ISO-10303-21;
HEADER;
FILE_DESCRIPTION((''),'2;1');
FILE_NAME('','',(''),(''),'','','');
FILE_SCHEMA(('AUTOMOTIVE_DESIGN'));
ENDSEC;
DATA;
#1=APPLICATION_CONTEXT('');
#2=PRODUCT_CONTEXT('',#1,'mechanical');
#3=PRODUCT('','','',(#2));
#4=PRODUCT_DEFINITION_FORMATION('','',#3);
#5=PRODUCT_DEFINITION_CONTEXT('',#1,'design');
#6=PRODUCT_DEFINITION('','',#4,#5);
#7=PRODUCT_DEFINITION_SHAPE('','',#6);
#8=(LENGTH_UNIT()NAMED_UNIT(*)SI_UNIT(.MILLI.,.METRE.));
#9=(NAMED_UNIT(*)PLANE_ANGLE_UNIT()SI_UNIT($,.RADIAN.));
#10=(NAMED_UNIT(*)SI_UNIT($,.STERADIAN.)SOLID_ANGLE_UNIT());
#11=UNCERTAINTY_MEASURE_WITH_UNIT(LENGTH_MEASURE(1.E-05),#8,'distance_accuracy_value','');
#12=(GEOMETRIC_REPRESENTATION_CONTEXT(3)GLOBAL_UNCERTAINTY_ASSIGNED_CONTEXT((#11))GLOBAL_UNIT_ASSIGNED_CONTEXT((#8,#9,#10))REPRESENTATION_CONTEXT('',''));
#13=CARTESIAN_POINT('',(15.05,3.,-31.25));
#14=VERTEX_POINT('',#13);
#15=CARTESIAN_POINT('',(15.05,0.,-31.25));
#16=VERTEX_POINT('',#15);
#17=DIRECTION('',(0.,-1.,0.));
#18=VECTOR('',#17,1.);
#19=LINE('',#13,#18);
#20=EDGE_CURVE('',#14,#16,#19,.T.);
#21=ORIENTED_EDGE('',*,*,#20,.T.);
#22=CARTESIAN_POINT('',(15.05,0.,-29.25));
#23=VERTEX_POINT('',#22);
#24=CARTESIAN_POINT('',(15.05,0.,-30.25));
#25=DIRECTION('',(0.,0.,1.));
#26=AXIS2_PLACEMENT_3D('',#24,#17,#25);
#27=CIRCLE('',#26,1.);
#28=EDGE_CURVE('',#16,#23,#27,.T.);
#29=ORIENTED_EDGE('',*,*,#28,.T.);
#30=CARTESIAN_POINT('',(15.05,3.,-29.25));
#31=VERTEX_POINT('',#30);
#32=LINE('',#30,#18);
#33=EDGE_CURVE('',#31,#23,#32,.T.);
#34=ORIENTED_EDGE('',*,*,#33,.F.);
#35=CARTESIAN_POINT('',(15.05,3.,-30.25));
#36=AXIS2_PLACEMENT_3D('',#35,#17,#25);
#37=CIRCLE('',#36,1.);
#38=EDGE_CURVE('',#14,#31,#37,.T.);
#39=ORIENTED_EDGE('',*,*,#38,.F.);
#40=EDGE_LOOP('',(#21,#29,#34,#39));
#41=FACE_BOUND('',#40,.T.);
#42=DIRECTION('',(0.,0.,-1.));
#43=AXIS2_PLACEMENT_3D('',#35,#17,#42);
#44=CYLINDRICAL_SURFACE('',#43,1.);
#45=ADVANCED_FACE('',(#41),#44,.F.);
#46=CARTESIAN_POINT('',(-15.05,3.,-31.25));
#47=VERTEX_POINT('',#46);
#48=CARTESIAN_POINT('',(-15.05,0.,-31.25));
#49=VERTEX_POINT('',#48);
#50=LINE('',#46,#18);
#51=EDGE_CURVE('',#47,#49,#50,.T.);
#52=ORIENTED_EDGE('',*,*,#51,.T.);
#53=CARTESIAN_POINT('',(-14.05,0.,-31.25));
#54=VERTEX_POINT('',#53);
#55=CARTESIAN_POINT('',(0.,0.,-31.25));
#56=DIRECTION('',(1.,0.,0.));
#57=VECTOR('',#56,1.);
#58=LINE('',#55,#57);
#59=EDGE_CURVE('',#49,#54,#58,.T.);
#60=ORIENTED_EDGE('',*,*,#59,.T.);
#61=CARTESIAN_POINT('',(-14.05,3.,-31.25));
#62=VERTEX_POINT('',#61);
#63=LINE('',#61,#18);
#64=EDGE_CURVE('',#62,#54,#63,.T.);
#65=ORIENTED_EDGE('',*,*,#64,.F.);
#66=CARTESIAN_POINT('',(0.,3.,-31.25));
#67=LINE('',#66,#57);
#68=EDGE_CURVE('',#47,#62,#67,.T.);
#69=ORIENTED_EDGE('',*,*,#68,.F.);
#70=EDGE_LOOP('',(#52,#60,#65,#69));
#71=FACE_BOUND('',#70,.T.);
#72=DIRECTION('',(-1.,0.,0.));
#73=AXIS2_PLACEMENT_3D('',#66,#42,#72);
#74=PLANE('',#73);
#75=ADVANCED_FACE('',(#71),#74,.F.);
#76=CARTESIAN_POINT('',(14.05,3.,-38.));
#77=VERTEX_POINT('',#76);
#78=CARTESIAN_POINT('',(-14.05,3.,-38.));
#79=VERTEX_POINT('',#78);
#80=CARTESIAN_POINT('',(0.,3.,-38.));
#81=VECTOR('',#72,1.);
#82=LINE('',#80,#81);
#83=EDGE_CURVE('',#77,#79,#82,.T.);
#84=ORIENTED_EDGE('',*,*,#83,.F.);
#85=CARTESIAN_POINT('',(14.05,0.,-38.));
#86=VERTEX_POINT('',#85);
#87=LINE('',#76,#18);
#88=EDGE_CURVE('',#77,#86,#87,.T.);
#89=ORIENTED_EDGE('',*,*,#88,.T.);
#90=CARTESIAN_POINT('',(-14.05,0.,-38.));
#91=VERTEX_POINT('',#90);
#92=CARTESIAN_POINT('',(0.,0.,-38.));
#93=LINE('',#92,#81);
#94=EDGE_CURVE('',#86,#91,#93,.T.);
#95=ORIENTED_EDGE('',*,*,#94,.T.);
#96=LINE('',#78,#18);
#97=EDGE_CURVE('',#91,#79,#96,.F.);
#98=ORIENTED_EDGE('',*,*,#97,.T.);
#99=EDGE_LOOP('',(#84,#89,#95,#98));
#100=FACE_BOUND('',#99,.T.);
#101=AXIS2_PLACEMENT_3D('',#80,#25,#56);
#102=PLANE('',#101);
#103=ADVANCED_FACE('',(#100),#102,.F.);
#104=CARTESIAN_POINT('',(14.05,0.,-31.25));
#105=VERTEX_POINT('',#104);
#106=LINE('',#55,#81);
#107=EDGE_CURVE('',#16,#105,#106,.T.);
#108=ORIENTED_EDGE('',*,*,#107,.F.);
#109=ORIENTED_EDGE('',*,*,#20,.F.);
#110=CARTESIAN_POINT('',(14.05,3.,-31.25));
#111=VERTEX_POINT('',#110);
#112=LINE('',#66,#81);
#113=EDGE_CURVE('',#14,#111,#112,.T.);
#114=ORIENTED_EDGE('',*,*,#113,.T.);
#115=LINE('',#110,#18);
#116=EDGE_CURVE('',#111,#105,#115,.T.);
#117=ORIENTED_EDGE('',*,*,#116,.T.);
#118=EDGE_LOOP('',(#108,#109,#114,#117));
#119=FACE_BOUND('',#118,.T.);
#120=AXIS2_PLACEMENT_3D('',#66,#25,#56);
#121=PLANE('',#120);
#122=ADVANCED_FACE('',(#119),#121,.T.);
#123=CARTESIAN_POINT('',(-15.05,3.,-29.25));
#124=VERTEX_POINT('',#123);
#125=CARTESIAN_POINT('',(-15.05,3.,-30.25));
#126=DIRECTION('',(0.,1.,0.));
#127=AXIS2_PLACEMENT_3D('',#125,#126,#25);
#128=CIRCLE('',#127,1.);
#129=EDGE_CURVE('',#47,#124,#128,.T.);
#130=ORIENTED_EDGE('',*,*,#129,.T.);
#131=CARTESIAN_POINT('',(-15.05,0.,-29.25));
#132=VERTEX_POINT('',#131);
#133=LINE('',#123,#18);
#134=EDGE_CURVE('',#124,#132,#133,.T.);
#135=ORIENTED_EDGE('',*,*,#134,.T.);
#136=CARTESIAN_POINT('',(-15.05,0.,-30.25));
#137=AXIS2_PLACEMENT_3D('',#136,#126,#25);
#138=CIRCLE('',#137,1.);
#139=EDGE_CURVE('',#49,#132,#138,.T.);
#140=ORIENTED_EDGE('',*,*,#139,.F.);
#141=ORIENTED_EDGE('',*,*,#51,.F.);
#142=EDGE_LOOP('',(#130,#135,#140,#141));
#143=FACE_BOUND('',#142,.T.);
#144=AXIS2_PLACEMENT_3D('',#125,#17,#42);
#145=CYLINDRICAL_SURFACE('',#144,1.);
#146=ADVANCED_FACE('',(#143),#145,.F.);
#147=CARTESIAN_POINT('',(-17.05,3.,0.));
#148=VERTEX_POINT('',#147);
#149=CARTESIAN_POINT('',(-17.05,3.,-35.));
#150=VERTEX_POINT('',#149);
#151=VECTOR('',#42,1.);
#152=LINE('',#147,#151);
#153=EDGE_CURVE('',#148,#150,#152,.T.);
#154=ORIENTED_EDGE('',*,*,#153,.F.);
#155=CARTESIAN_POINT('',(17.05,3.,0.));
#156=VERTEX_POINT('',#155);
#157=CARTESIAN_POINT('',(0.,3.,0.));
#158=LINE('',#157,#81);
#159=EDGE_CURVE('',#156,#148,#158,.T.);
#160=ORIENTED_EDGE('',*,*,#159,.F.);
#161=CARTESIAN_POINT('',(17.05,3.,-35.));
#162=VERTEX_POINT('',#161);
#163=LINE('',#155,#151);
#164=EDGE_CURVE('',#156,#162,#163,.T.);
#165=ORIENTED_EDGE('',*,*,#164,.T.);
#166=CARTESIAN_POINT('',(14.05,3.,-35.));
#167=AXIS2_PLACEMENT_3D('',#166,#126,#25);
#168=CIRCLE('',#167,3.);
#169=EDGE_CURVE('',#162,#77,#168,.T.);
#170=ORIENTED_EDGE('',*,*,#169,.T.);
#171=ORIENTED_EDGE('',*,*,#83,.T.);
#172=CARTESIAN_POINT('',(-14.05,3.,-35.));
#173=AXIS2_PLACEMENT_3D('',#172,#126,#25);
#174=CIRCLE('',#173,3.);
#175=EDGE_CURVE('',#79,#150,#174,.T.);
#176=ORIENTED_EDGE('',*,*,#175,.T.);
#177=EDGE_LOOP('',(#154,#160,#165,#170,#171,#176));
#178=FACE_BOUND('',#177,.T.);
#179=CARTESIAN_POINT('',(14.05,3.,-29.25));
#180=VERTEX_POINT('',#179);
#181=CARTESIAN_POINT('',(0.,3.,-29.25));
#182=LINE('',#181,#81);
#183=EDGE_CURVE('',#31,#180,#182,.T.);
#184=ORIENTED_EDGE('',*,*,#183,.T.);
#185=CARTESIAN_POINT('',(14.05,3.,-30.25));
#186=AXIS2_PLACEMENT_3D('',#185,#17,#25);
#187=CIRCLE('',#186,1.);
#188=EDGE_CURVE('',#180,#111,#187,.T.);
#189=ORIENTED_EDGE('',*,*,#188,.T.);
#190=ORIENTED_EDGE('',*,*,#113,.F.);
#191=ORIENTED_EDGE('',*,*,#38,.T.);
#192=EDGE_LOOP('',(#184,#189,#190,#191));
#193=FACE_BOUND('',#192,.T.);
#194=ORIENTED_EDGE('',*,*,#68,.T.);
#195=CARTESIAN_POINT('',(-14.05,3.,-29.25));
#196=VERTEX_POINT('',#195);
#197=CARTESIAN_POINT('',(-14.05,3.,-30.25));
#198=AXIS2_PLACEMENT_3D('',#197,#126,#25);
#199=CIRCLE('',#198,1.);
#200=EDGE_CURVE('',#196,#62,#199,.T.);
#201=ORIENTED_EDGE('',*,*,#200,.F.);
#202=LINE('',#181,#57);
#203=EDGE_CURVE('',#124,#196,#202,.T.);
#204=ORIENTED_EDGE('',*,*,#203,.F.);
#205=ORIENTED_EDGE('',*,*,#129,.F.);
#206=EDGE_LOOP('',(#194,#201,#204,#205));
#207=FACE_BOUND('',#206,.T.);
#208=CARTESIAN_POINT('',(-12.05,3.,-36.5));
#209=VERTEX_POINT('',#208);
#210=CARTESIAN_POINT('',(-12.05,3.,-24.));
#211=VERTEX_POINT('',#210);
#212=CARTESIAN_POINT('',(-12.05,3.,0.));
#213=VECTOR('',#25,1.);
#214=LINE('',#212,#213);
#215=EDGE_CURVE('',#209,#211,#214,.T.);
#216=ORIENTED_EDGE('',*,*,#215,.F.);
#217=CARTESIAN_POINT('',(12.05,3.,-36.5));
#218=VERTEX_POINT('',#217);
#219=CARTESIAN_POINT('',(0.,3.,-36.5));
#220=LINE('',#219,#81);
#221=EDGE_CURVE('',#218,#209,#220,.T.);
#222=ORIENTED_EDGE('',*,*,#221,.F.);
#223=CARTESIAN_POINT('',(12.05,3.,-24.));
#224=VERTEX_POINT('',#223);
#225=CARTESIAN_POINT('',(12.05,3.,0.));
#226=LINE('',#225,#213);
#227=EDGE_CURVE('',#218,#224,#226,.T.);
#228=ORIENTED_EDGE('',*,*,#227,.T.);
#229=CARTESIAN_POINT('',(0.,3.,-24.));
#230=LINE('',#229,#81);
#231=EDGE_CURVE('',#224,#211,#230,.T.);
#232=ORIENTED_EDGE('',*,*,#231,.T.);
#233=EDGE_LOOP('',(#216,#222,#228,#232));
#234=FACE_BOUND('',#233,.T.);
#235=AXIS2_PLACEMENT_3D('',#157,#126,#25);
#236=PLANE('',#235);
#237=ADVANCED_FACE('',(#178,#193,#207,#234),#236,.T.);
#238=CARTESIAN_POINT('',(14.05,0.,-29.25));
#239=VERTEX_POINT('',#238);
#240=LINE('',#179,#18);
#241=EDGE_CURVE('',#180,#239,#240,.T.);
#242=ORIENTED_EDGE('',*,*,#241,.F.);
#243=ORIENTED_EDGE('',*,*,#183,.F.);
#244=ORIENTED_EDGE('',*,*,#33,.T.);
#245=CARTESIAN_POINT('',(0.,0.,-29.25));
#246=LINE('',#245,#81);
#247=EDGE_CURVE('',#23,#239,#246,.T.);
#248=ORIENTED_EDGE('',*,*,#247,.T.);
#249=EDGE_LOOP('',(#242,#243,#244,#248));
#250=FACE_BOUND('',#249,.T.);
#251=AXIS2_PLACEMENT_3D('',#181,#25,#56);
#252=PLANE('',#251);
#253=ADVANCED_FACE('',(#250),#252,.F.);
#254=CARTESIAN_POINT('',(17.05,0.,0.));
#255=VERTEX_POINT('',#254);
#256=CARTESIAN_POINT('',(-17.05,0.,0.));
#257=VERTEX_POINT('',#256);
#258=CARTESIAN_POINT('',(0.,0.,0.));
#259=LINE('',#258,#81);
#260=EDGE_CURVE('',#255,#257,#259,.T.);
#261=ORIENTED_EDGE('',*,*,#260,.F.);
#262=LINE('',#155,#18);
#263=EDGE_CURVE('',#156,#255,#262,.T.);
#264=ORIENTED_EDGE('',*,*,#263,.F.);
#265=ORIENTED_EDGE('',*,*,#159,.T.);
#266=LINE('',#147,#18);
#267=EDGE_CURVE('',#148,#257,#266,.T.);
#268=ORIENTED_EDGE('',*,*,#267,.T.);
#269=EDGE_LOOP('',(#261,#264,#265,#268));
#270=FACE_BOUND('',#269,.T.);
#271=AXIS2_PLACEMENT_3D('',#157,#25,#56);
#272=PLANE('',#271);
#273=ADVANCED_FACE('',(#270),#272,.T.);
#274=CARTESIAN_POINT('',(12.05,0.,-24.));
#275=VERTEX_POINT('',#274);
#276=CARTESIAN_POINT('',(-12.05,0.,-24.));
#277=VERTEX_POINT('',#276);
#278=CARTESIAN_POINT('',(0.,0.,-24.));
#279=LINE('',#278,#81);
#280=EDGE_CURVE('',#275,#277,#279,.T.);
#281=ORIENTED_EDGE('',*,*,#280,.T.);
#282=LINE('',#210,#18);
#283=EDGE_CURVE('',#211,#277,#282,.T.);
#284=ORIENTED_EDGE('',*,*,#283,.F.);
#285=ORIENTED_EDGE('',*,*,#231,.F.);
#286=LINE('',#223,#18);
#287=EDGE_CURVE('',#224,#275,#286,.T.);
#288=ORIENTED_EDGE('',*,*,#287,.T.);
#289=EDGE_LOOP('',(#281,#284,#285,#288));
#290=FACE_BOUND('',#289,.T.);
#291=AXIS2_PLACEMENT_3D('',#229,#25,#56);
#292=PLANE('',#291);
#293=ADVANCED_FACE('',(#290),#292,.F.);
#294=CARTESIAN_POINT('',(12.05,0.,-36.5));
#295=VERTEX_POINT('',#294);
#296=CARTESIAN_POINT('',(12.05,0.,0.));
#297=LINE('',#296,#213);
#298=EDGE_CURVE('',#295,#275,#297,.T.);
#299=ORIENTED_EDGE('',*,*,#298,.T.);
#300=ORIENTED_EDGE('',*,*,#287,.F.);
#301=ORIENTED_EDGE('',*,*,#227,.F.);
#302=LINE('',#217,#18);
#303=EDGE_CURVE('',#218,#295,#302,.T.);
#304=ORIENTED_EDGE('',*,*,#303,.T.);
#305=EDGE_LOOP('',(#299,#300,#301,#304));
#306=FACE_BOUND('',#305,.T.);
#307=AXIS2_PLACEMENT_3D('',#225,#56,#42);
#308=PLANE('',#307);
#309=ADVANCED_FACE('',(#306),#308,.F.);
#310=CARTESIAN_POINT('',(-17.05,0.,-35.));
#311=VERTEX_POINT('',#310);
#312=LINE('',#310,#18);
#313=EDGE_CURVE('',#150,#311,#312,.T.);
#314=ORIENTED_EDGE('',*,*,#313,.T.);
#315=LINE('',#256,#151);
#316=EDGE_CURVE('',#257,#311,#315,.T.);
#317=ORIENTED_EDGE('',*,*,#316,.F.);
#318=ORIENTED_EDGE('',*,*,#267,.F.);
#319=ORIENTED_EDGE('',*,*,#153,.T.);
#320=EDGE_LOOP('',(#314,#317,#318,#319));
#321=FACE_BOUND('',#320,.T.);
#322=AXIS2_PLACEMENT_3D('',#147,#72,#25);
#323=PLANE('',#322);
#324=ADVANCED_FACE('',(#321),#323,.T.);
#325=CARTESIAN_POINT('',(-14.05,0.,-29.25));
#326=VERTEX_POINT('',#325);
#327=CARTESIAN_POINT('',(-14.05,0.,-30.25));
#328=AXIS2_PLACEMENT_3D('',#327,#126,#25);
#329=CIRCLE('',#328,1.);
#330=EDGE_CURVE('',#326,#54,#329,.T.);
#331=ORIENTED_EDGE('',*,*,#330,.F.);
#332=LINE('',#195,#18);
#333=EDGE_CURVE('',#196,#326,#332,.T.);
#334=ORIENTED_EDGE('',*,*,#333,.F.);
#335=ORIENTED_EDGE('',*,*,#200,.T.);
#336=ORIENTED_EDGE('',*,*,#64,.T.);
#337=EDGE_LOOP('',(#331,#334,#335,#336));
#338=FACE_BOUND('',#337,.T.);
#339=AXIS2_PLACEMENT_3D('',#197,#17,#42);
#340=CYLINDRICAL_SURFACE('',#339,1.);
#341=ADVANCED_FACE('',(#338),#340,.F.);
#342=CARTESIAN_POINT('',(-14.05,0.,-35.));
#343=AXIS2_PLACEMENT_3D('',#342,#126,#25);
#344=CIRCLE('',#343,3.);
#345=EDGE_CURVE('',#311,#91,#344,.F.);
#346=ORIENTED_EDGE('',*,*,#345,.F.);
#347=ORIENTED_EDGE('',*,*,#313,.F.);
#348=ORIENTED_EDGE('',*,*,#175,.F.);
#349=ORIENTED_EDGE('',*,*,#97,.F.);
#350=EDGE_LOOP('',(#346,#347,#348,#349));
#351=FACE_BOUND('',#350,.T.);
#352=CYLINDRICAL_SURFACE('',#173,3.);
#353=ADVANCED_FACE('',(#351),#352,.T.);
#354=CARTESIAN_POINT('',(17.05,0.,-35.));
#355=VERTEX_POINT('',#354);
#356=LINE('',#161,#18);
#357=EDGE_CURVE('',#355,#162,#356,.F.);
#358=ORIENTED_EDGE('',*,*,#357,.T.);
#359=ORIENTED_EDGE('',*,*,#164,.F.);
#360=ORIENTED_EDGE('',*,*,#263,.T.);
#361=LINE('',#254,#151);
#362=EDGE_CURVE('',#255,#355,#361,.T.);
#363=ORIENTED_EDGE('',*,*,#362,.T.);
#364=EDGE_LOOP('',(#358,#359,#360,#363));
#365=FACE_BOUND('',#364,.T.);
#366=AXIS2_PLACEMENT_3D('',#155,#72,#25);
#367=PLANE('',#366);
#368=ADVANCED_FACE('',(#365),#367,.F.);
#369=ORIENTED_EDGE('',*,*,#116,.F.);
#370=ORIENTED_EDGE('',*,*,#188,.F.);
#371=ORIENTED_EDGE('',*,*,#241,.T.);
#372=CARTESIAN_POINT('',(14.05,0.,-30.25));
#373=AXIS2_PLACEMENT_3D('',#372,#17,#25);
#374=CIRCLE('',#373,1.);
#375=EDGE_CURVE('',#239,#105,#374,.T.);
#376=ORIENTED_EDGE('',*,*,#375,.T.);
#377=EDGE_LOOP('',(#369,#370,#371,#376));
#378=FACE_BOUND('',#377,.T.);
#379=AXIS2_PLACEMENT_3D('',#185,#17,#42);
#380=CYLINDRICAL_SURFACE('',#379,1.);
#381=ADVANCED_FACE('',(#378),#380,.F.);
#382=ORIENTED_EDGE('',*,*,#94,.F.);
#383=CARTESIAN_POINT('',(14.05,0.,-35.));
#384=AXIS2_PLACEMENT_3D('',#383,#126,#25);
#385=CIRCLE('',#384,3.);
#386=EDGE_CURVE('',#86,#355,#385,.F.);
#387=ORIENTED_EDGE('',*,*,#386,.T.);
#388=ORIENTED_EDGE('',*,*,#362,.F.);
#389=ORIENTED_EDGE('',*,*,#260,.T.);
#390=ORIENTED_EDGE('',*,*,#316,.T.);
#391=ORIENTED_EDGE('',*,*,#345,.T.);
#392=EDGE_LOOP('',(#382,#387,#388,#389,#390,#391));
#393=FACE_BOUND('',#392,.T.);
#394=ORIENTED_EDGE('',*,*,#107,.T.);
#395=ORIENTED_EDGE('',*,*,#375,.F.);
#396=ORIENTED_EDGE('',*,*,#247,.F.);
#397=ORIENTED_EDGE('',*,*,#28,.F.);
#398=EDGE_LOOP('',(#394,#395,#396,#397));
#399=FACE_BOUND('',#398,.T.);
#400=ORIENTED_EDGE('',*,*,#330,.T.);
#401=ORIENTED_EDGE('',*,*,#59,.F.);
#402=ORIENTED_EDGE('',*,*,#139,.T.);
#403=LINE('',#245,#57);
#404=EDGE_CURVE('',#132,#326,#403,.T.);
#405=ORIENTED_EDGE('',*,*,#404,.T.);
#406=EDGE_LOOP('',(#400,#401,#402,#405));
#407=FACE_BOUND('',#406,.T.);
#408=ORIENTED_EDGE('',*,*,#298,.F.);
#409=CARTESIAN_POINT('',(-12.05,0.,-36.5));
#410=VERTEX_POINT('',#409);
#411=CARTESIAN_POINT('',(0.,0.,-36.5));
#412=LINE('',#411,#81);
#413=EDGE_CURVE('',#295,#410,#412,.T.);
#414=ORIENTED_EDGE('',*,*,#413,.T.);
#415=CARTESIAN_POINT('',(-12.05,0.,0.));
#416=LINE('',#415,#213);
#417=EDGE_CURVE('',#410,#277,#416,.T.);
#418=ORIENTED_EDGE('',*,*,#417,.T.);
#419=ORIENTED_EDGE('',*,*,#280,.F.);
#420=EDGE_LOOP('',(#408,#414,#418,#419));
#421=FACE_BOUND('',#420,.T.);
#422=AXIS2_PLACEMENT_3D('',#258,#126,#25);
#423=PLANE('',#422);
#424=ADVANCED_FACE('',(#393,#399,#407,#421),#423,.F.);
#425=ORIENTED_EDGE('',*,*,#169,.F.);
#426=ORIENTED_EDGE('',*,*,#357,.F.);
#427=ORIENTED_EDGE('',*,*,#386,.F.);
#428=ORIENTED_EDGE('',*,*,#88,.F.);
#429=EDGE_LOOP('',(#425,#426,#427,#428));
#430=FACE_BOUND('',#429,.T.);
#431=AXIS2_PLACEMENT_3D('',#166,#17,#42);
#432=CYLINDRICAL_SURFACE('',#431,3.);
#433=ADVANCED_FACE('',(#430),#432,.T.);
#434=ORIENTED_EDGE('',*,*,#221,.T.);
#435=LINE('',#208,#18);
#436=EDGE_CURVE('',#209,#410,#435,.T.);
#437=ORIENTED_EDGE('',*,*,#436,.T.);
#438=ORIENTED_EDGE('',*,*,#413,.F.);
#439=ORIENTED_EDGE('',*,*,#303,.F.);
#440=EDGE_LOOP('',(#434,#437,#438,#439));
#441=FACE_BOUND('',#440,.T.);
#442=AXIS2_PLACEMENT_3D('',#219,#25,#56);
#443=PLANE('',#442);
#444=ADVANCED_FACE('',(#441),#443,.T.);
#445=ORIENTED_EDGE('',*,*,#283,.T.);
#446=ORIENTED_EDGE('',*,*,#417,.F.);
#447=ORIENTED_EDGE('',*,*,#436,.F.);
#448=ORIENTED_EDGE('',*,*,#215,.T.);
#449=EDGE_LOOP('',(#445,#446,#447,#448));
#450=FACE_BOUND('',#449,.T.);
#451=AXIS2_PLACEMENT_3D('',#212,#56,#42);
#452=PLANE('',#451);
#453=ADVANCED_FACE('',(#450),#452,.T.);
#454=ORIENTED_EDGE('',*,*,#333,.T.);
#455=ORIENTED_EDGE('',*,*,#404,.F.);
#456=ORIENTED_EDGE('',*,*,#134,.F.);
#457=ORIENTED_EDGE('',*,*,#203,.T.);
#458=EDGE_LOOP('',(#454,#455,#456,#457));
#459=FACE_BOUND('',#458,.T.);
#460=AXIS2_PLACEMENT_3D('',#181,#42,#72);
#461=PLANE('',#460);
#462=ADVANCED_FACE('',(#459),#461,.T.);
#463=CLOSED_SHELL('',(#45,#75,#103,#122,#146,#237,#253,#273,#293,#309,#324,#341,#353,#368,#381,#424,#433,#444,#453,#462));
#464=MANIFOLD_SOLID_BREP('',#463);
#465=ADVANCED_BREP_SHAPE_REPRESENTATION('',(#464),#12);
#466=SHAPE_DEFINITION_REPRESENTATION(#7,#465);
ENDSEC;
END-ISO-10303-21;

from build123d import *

# Parameters (mm, degrees)
BOSS_EXTRU_1_DEPTH = 3
CONG_1_R           = 3
CONG_2_R           = 3


with BuildPart() as part:
    # Esquisse1 → Boss.-Extru.1 (new body)
    with BuildSketch(Plane(origin=(0, 0, 0), x_dir=(1, 0, 0), z_dir=(0, 1, 0))):
        Polygon((-12.05, 36.5), (0, 36.5), (0, 38), (-17.05, 38), (-17.05, 0), (0, 0), (0, 24), (-12.05, 24), align=None)
        with BuildLine():
            ThreePointArc((-15.05, 29.25), (-16.05, 30.25), (-15.05, 31.25))
            Line((-15.05, 31.25), (-14.05, 31.25))
            ThreePointArc((-14.05, 31.25), (-13.05, 30.25), (-14.05, 29.25))
            Line((-14.05, 29.25), (-15.05, 29.25))
        make_face(mode=Mode.SUBTRACT)
    boss_extru_1 = extrude(amount=BOSS_EXTRU_1_DEPTH)

    # Symétrie1: Boss.-Extru.1 across plane
    add(boss_extru_1.mirror(Plane(origin=(0, 3, 0), x_dir=(0, 0, 1), z_dir=(-1, 0, 0))))

    # Congé1
    cong_1_edges = [part.edges().sort_by_distance(p)[0] for p in [
        (17.05, 1.5, -38),
    ]]
    fillet(cong_1_edges, radius=CONG_1_R)

    # Congé2
    cong_2_edges = [part.edges().sort_by_distance(p)[0] for p in [
        (-17.05, 1.5, -38),
    ]]
    fillet(cong_2_edges, radius=CONG_2_R)


solid = part.part
